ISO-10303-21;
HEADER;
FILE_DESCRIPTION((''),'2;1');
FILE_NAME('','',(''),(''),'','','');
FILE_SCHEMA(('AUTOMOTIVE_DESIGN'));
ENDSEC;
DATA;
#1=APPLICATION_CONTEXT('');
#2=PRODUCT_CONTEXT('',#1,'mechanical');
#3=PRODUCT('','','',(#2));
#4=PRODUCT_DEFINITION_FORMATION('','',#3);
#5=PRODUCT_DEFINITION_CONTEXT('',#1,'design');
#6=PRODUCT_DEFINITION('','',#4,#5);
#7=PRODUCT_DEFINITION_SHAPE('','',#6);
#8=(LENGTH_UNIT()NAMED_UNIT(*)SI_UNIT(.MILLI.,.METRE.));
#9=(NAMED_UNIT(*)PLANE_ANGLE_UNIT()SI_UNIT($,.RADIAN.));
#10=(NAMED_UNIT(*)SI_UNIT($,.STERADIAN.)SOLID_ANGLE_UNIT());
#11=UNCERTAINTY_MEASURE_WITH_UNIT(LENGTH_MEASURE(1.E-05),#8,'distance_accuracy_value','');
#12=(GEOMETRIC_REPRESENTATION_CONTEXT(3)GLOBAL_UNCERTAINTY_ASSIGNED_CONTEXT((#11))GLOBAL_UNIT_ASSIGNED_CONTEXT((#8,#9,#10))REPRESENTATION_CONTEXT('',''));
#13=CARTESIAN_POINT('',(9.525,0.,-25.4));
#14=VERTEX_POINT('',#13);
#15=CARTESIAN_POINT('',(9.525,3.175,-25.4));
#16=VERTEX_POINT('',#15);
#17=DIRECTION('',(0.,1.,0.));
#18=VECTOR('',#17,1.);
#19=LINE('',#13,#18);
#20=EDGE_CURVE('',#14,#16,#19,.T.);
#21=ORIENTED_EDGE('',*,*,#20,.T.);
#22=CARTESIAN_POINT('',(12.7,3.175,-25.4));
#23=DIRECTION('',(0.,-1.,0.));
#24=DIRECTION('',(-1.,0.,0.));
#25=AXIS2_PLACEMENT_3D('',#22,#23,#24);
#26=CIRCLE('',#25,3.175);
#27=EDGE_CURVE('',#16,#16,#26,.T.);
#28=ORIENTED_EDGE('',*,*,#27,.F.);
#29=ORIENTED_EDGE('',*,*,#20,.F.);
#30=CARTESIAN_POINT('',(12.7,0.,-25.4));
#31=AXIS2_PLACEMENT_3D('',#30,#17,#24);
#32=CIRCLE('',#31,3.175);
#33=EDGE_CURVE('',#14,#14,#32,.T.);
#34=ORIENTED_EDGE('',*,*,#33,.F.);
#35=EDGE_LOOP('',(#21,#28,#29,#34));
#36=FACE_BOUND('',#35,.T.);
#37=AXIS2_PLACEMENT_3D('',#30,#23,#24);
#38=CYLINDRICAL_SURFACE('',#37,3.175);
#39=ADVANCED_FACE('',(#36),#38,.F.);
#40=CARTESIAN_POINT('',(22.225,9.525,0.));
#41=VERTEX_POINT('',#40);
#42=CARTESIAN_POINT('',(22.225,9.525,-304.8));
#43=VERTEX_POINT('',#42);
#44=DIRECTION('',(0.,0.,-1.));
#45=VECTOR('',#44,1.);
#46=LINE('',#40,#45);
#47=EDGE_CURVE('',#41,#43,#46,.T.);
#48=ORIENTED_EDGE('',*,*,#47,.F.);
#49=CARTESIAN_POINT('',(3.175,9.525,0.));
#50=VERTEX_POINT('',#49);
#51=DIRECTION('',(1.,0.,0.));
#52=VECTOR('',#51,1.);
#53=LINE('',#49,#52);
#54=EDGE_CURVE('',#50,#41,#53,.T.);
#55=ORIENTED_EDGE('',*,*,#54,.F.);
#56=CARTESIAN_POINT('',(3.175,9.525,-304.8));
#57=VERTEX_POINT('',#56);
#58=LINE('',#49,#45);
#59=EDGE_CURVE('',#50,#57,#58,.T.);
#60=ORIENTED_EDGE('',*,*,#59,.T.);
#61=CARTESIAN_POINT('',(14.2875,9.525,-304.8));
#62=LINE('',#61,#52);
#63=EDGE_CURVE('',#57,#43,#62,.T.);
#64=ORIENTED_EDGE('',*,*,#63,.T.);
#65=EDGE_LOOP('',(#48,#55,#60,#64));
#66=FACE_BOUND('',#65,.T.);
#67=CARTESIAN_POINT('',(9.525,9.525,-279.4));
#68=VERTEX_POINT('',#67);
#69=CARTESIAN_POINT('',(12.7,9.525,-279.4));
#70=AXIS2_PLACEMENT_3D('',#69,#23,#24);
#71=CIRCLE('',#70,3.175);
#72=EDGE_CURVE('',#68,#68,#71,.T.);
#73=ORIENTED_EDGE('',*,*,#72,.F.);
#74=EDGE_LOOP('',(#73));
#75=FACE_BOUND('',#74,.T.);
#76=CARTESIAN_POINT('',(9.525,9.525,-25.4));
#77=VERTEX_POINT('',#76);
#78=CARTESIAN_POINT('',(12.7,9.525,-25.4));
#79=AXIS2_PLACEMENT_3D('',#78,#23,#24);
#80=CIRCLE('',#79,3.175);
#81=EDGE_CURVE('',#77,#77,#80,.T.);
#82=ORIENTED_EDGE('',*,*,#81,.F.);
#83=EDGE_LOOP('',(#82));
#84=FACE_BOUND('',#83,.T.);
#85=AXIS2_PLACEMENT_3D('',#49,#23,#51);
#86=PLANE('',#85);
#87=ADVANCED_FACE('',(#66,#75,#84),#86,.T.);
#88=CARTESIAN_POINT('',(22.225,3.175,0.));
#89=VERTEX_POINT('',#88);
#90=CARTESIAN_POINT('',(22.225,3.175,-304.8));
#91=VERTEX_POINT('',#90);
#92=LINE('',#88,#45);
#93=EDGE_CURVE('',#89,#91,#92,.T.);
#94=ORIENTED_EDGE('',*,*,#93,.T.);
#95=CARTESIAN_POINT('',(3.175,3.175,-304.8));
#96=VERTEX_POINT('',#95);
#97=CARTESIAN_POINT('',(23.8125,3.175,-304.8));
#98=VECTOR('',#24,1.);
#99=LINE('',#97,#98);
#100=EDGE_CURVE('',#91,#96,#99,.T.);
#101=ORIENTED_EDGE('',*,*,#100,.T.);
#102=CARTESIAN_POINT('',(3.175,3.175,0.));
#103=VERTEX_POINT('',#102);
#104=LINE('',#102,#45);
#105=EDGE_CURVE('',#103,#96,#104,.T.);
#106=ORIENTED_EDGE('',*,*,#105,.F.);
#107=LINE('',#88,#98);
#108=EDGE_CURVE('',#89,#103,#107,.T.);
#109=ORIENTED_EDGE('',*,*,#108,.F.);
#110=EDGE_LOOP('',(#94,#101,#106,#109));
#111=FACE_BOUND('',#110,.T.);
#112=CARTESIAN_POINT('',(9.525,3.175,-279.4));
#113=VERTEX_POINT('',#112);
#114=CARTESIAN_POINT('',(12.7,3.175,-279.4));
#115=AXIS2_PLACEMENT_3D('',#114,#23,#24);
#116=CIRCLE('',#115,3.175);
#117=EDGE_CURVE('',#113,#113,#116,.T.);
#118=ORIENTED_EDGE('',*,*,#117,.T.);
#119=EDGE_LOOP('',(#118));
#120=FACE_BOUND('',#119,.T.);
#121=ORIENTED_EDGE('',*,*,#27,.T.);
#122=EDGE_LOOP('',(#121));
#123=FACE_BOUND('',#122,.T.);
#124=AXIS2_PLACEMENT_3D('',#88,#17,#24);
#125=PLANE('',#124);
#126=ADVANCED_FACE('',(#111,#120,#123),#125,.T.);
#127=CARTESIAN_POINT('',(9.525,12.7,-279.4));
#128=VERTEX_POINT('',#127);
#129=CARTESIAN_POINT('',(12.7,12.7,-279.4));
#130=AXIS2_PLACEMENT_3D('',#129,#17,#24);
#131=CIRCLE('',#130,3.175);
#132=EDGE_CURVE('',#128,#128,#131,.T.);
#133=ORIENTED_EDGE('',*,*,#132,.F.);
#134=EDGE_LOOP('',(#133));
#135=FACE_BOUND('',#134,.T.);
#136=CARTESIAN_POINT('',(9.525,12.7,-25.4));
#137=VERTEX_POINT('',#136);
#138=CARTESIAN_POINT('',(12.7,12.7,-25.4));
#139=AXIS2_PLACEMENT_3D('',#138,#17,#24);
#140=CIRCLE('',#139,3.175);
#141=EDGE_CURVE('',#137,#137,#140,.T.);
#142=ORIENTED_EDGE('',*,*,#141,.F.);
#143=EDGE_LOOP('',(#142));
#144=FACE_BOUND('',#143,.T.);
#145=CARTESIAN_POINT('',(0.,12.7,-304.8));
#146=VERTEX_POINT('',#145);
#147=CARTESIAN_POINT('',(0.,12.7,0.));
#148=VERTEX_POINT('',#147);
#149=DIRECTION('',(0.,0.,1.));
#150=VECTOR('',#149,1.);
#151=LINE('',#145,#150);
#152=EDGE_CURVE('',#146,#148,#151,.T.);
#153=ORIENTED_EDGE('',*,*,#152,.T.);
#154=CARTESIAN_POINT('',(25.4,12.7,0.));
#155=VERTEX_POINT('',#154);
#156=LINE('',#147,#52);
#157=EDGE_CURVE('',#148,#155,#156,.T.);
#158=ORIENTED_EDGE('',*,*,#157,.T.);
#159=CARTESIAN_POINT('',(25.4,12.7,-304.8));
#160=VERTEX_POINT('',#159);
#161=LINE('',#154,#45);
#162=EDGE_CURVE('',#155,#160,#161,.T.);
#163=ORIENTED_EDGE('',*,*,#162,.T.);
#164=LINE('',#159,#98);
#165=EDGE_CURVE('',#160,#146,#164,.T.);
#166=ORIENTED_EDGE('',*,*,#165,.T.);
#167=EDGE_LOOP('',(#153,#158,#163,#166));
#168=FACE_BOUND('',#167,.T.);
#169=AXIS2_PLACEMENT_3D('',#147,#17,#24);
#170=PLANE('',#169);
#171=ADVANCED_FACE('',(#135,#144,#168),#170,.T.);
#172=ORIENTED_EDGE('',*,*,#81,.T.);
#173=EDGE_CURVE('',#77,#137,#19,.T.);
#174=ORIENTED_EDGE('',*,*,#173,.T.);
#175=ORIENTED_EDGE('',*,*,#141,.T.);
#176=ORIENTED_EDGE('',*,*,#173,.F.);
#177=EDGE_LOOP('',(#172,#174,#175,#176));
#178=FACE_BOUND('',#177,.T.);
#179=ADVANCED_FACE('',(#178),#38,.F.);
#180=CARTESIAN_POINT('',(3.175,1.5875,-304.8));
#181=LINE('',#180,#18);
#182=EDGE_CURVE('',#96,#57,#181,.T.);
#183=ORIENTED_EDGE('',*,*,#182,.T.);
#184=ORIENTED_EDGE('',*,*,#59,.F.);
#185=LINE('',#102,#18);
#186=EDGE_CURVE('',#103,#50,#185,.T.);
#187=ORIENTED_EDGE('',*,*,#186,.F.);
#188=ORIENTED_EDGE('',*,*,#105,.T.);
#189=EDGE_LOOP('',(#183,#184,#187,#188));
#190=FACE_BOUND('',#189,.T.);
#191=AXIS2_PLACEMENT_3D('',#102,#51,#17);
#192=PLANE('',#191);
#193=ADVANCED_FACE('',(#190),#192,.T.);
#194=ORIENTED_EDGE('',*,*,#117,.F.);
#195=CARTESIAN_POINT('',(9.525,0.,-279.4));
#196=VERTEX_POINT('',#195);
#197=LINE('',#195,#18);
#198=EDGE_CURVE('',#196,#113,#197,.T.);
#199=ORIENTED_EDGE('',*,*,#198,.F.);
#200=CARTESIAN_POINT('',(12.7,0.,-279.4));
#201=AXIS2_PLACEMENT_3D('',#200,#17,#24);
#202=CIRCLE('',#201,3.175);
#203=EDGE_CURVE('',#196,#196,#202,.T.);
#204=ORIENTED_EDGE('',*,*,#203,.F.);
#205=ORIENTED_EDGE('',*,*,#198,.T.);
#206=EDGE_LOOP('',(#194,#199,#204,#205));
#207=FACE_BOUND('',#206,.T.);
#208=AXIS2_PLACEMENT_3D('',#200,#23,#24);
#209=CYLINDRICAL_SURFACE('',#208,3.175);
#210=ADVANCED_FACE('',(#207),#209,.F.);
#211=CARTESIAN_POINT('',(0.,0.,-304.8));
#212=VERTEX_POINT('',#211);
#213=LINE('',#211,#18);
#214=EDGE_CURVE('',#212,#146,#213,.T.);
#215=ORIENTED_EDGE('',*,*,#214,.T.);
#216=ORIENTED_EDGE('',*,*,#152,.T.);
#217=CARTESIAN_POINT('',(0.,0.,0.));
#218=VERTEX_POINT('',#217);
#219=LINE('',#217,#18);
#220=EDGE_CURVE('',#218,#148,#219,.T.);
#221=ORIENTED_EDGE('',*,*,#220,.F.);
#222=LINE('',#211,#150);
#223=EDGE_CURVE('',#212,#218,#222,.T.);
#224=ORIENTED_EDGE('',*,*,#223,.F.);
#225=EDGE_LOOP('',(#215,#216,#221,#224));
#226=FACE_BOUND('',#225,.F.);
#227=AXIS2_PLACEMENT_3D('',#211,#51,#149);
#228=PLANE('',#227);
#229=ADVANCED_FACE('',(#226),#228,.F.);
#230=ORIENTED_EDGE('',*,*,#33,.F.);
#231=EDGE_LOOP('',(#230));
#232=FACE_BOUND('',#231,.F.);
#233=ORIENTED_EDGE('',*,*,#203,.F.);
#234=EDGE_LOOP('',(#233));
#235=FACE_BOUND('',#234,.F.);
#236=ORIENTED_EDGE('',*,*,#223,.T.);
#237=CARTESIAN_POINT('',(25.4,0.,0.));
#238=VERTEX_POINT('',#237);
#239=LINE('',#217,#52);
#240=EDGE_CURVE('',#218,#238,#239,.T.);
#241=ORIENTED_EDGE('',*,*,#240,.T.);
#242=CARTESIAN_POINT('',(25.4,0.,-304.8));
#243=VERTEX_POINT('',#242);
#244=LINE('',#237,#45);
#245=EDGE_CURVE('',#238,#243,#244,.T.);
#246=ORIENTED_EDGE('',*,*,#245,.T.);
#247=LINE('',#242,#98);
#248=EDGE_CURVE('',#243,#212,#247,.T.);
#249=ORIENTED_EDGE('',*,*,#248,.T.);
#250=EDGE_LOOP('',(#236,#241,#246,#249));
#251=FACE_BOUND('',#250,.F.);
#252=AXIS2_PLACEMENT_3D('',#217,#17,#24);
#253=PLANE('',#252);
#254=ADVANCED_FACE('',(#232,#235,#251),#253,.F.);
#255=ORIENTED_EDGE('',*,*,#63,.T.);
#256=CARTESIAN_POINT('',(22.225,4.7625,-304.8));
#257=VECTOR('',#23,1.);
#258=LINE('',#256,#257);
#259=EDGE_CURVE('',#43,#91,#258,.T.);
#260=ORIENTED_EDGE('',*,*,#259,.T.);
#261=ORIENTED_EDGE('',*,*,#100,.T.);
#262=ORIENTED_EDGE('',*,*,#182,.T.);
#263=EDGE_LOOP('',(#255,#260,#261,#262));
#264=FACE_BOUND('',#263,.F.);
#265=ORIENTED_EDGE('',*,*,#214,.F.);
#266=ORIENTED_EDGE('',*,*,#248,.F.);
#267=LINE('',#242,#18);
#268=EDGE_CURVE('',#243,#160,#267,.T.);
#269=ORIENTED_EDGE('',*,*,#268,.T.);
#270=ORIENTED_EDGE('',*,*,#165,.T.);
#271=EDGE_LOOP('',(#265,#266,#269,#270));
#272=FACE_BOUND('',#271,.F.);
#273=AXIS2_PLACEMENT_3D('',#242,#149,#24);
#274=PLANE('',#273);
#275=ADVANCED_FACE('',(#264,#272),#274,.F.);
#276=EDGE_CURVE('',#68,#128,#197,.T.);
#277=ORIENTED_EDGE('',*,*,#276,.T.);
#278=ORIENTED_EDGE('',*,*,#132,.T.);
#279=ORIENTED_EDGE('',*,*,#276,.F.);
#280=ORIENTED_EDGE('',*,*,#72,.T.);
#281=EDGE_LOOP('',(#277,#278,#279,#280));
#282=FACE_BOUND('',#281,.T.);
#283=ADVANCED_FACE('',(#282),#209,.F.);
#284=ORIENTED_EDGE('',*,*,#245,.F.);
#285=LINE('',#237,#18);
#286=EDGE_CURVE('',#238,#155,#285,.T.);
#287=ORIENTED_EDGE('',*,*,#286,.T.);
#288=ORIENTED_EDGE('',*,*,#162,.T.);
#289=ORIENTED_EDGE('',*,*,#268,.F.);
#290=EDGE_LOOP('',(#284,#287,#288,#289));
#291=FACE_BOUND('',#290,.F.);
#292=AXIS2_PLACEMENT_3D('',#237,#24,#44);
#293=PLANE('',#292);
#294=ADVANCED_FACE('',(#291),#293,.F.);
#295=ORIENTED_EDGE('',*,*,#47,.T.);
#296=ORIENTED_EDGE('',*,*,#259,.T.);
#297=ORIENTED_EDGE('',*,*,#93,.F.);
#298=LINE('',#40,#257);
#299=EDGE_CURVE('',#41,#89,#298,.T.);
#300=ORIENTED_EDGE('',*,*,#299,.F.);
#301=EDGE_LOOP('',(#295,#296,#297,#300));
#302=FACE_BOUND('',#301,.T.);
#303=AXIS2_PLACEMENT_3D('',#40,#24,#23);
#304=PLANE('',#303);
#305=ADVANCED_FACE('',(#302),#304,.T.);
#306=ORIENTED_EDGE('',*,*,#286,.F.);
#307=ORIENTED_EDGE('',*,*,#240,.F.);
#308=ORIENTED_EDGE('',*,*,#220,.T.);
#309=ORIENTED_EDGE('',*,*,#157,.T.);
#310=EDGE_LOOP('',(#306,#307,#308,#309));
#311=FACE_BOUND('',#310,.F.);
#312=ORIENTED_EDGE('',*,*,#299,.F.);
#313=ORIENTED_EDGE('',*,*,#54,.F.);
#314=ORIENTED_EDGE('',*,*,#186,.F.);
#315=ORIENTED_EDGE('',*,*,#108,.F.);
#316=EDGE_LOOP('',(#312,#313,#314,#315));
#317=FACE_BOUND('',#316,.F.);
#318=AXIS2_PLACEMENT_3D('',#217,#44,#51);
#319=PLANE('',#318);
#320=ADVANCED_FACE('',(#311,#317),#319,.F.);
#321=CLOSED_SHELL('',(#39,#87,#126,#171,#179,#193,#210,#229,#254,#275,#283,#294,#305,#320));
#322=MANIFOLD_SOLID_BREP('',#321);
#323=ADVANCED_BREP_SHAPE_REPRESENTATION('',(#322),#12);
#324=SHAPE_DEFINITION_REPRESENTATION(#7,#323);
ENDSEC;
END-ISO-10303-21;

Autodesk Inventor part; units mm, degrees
ref_plane "YZ Plane" through (0, 0, 0) normal (1, 0, 0) x (0, 1, 0)
ref_plane "XZ Plane" through (0, 0, 0) normal (0, 1, 0) x (-1, 0, 0)
ref_plane "XY Plane" through (0, 0, 0) normal (0, 0, 1) x (1, 0, 0)
sketch "Sketch1" plane through (0, 0, 0) normal (0, 1, 0) x (-1, 0, 0)
  line L0 (0, 0) -> (-25.4, 0)
  line L1 (-25.4, 0) -> (-25.4, -304.8)
  line L2 (-25.4, -304.8) -> (0, -304.8)
  line L3 (0, -304.8) -> (0, 0)
  circle A0 centre (-12.7, -25.4) radius 3.175
  circle A1 centre (-12.7, -279.4) radius 3.175
  dimension "d0" = 25.4
  dimension "d1" = 304.8
  dimension "d2" = 12.7
  dimension "d3" = 6.35
  dimension "d4" = 25.4
  dimension "d5" = 25.4
  dimension "d6" = 12.7
  dimension "d7" = 6.35
extrude "Extrusion1" add sketch "Sketch1" along normal blind 12.7
sketch "Sketch2" plane through (0, 0, 0) normal (0, 0, 1) x (1, 0, 0)
  line L0 (22.225, 3.175) -> (3.175, 3.175)
  line L1 (3.175, 3.175) -> (3.175, 9.525)
  line L2 (3.175, 9.525) -> (22.225, 9.525)
  line L3 (22.225, 9.525) -> (22.225, 3.175)
  line L4 (25.4, 0) -> (25.4, 12.7) projected
  line L5 (0, 0) -> (0, 12.7) projected
  line L6 (0, 0) -> (25.4, 0) projected
  line L7 (0, 12.7) -> (25.4, 12.7) projected
  dimension "d10" = 3.175
  dimension "d11" = 3.175
  dimension "d12" = 3.175
  dimension "d13" = 3.175
extrude "Extrusion2" cut sketch "Sketch2" against normal through all contours L0 L1 L2 L3
properties part number "pickarm"
